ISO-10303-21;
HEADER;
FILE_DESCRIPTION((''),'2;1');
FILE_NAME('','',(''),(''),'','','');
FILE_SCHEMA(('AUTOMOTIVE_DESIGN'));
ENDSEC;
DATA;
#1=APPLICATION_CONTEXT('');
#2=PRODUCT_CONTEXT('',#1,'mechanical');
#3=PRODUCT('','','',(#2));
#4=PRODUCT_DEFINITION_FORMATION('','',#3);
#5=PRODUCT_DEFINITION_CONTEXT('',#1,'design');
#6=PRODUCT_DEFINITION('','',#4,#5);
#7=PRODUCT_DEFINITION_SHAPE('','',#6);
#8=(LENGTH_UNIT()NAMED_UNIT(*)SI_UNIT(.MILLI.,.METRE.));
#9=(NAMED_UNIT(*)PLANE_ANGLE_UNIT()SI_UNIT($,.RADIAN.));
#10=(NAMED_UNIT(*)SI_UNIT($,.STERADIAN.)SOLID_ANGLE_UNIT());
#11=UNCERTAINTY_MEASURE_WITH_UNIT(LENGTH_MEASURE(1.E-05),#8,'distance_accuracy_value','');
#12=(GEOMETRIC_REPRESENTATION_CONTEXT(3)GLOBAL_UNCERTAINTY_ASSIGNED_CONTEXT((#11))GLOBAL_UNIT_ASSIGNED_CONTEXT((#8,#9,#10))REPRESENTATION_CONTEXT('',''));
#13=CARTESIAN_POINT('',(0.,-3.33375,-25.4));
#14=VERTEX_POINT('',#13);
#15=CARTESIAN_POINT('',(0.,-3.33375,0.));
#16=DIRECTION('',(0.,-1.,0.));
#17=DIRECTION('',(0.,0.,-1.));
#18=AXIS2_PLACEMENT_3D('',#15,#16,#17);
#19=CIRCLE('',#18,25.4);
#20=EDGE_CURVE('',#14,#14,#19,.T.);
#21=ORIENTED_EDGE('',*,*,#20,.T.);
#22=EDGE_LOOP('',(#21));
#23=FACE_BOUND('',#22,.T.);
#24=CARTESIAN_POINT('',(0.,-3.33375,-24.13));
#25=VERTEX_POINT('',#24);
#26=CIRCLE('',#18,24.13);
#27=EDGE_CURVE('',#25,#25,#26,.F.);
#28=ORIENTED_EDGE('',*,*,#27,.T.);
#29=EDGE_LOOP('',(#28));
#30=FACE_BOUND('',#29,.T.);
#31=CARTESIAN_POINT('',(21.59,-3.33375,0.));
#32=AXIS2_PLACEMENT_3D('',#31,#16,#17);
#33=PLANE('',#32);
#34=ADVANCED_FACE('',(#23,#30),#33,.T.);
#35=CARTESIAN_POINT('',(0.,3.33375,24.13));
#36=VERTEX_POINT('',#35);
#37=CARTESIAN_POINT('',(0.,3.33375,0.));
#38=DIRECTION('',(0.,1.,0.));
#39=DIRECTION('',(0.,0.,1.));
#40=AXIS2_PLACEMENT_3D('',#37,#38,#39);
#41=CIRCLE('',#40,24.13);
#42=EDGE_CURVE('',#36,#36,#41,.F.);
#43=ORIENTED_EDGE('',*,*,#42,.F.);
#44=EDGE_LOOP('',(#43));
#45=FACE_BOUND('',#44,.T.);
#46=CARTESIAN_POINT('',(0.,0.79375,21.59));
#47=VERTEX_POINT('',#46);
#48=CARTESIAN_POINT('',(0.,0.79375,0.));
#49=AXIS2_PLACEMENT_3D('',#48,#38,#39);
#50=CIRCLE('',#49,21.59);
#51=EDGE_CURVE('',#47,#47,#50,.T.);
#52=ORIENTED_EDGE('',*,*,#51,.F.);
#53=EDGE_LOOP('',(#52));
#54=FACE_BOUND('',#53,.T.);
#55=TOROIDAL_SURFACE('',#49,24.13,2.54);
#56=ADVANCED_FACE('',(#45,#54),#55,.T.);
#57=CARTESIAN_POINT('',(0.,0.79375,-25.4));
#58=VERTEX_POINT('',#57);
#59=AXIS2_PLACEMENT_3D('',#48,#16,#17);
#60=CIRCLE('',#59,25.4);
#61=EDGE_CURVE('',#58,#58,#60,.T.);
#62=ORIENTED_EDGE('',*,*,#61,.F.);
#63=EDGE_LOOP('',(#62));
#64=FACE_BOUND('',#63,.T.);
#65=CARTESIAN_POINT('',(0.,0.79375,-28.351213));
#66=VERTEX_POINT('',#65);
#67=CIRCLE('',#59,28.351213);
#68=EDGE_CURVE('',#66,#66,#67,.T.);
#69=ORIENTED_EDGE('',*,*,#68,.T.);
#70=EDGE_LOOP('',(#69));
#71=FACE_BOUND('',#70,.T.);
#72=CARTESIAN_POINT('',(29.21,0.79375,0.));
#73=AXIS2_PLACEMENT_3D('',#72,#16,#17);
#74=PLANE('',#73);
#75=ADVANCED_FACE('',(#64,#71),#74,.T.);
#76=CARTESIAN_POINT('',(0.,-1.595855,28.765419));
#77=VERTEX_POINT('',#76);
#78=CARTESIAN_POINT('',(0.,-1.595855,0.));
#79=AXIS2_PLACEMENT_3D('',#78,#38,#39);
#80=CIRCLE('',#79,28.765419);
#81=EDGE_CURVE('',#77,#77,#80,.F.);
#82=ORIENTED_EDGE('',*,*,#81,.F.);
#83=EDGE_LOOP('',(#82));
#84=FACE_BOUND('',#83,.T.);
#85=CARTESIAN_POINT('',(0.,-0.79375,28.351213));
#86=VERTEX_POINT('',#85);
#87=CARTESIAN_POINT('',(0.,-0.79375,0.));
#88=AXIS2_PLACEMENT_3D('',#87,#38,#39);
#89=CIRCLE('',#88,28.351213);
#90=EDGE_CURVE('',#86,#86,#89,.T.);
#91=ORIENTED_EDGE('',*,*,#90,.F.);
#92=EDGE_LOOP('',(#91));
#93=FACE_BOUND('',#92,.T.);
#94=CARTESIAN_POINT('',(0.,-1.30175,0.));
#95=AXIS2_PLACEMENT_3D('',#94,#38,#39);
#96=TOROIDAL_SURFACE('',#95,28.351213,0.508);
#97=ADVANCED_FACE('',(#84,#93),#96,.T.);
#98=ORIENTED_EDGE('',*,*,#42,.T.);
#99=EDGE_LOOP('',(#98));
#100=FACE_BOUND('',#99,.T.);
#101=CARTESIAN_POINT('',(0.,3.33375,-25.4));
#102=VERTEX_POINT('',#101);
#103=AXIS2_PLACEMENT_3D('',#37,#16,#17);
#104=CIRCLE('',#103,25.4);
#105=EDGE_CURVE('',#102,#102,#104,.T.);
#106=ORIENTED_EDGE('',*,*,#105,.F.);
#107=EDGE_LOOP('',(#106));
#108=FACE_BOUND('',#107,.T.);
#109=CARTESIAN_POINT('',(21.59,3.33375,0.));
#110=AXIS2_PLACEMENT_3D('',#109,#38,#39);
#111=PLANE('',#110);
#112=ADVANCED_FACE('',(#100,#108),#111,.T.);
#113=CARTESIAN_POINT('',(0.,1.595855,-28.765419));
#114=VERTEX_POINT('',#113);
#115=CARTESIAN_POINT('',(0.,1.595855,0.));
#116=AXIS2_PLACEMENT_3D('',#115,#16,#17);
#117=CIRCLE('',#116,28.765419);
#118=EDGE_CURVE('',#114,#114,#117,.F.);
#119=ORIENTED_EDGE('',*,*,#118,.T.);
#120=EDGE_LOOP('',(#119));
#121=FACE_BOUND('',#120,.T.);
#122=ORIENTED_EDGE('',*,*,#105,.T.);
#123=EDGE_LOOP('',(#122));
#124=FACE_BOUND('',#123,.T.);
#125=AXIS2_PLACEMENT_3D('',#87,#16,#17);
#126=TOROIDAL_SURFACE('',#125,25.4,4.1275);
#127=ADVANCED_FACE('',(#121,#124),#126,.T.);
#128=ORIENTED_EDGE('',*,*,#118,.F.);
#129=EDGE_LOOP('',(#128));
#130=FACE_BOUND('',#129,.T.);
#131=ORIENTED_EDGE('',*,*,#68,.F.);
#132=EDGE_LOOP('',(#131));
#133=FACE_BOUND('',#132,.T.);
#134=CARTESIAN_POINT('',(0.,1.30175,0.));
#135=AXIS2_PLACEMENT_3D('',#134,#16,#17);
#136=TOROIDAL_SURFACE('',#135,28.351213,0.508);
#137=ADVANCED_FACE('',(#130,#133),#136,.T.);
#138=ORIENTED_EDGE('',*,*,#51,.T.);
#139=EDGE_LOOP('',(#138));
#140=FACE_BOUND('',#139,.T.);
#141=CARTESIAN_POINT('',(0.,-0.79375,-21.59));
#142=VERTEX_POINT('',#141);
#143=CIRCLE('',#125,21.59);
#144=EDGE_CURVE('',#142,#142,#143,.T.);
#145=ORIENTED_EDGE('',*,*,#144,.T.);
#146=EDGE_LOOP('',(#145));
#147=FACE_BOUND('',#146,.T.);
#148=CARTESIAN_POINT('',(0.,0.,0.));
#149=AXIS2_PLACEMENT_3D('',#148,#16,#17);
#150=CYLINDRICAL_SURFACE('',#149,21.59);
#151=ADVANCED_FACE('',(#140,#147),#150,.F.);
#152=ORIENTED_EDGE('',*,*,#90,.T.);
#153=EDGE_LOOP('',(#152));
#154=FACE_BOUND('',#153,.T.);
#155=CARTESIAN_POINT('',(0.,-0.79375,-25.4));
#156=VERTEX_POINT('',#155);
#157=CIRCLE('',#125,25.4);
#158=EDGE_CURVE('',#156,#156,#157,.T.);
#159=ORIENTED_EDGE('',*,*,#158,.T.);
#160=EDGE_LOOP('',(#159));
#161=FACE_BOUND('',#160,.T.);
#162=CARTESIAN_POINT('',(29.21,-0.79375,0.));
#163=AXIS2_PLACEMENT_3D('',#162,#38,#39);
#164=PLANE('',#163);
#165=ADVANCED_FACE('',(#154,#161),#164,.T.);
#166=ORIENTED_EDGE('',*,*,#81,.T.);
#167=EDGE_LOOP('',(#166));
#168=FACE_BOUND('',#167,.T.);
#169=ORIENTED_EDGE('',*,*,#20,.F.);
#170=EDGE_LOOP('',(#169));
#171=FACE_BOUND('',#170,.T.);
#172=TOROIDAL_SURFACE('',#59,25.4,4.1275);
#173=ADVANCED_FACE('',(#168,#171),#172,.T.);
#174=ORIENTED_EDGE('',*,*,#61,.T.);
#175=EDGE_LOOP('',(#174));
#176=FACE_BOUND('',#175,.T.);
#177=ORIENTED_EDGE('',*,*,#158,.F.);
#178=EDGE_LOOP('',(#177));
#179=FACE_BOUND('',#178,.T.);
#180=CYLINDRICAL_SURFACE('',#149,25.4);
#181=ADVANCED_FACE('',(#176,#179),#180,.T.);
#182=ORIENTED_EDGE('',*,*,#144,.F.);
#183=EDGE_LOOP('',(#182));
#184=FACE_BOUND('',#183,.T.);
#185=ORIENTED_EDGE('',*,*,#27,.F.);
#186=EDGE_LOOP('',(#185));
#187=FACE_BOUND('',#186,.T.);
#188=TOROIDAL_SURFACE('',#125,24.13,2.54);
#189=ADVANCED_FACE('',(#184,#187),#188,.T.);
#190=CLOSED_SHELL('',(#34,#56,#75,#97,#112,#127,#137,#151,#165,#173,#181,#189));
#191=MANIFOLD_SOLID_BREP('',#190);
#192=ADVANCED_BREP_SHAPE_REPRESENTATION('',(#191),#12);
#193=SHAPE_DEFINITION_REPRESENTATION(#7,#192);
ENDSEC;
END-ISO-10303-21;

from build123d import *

# Parameters (mm, degrees)
FILLET1_R = 2.54
FILLET2_R = 0.508


with BuildPart() as part:
    # Sketch1 → Revolve1 (revolve)
    with BuildSketch(Plane.XY, mode=Mode.PRIVATE) as revolve1_sk:
        with BuildLine():
            Line((21.59, 3.33375), (21.59, -3.33375))
            Line((21.59, -3.33375), (25.4, -3.33375))
            ThreePointArc((25.4, -3.33375), (27.68952506, -2.64053759), (29.21, -0.79375))
            Line((29.21, -0.79375), (25.4, -0.79375))
            Line((25.4, -0.79375), (25.4, 0.79375))
            Line((25.4, 0.79375), (29.21, 0.79375))
            ThreePointArc((29.21, 0.79375), (27.68952506, 2.64053759), (25.4, 3.33375))
            Line((25.4, 3.33375), (21.59, 3.33375))
        make_face()
    revolve(revolve1_sk.sketch.rotate(Axis((0, 0, 0), (0, 1, 0)), 90), axis=Axis((0, 0, 0), (0, 1, 0)))

    # Fillet1
    fillet1_edges = [part.edges().sort_by_distance(p)[0] for p in [
        (0, -3.33375, 21.59),
        (0, 3.33375, 21.59),
    ]]
    fillet(fillet1_edges, radius=FILLET1_R)

    # Fillet2
    fillet2_edges = [part.edges().sort_by_distance(p)[0] for p in [
        (0, 0.79375, 29.21),
        (0, -0.79375, 29.21),
    ]]
    fillet(fillet2_edges, radius=FILLET2_R)


solid = part.part
